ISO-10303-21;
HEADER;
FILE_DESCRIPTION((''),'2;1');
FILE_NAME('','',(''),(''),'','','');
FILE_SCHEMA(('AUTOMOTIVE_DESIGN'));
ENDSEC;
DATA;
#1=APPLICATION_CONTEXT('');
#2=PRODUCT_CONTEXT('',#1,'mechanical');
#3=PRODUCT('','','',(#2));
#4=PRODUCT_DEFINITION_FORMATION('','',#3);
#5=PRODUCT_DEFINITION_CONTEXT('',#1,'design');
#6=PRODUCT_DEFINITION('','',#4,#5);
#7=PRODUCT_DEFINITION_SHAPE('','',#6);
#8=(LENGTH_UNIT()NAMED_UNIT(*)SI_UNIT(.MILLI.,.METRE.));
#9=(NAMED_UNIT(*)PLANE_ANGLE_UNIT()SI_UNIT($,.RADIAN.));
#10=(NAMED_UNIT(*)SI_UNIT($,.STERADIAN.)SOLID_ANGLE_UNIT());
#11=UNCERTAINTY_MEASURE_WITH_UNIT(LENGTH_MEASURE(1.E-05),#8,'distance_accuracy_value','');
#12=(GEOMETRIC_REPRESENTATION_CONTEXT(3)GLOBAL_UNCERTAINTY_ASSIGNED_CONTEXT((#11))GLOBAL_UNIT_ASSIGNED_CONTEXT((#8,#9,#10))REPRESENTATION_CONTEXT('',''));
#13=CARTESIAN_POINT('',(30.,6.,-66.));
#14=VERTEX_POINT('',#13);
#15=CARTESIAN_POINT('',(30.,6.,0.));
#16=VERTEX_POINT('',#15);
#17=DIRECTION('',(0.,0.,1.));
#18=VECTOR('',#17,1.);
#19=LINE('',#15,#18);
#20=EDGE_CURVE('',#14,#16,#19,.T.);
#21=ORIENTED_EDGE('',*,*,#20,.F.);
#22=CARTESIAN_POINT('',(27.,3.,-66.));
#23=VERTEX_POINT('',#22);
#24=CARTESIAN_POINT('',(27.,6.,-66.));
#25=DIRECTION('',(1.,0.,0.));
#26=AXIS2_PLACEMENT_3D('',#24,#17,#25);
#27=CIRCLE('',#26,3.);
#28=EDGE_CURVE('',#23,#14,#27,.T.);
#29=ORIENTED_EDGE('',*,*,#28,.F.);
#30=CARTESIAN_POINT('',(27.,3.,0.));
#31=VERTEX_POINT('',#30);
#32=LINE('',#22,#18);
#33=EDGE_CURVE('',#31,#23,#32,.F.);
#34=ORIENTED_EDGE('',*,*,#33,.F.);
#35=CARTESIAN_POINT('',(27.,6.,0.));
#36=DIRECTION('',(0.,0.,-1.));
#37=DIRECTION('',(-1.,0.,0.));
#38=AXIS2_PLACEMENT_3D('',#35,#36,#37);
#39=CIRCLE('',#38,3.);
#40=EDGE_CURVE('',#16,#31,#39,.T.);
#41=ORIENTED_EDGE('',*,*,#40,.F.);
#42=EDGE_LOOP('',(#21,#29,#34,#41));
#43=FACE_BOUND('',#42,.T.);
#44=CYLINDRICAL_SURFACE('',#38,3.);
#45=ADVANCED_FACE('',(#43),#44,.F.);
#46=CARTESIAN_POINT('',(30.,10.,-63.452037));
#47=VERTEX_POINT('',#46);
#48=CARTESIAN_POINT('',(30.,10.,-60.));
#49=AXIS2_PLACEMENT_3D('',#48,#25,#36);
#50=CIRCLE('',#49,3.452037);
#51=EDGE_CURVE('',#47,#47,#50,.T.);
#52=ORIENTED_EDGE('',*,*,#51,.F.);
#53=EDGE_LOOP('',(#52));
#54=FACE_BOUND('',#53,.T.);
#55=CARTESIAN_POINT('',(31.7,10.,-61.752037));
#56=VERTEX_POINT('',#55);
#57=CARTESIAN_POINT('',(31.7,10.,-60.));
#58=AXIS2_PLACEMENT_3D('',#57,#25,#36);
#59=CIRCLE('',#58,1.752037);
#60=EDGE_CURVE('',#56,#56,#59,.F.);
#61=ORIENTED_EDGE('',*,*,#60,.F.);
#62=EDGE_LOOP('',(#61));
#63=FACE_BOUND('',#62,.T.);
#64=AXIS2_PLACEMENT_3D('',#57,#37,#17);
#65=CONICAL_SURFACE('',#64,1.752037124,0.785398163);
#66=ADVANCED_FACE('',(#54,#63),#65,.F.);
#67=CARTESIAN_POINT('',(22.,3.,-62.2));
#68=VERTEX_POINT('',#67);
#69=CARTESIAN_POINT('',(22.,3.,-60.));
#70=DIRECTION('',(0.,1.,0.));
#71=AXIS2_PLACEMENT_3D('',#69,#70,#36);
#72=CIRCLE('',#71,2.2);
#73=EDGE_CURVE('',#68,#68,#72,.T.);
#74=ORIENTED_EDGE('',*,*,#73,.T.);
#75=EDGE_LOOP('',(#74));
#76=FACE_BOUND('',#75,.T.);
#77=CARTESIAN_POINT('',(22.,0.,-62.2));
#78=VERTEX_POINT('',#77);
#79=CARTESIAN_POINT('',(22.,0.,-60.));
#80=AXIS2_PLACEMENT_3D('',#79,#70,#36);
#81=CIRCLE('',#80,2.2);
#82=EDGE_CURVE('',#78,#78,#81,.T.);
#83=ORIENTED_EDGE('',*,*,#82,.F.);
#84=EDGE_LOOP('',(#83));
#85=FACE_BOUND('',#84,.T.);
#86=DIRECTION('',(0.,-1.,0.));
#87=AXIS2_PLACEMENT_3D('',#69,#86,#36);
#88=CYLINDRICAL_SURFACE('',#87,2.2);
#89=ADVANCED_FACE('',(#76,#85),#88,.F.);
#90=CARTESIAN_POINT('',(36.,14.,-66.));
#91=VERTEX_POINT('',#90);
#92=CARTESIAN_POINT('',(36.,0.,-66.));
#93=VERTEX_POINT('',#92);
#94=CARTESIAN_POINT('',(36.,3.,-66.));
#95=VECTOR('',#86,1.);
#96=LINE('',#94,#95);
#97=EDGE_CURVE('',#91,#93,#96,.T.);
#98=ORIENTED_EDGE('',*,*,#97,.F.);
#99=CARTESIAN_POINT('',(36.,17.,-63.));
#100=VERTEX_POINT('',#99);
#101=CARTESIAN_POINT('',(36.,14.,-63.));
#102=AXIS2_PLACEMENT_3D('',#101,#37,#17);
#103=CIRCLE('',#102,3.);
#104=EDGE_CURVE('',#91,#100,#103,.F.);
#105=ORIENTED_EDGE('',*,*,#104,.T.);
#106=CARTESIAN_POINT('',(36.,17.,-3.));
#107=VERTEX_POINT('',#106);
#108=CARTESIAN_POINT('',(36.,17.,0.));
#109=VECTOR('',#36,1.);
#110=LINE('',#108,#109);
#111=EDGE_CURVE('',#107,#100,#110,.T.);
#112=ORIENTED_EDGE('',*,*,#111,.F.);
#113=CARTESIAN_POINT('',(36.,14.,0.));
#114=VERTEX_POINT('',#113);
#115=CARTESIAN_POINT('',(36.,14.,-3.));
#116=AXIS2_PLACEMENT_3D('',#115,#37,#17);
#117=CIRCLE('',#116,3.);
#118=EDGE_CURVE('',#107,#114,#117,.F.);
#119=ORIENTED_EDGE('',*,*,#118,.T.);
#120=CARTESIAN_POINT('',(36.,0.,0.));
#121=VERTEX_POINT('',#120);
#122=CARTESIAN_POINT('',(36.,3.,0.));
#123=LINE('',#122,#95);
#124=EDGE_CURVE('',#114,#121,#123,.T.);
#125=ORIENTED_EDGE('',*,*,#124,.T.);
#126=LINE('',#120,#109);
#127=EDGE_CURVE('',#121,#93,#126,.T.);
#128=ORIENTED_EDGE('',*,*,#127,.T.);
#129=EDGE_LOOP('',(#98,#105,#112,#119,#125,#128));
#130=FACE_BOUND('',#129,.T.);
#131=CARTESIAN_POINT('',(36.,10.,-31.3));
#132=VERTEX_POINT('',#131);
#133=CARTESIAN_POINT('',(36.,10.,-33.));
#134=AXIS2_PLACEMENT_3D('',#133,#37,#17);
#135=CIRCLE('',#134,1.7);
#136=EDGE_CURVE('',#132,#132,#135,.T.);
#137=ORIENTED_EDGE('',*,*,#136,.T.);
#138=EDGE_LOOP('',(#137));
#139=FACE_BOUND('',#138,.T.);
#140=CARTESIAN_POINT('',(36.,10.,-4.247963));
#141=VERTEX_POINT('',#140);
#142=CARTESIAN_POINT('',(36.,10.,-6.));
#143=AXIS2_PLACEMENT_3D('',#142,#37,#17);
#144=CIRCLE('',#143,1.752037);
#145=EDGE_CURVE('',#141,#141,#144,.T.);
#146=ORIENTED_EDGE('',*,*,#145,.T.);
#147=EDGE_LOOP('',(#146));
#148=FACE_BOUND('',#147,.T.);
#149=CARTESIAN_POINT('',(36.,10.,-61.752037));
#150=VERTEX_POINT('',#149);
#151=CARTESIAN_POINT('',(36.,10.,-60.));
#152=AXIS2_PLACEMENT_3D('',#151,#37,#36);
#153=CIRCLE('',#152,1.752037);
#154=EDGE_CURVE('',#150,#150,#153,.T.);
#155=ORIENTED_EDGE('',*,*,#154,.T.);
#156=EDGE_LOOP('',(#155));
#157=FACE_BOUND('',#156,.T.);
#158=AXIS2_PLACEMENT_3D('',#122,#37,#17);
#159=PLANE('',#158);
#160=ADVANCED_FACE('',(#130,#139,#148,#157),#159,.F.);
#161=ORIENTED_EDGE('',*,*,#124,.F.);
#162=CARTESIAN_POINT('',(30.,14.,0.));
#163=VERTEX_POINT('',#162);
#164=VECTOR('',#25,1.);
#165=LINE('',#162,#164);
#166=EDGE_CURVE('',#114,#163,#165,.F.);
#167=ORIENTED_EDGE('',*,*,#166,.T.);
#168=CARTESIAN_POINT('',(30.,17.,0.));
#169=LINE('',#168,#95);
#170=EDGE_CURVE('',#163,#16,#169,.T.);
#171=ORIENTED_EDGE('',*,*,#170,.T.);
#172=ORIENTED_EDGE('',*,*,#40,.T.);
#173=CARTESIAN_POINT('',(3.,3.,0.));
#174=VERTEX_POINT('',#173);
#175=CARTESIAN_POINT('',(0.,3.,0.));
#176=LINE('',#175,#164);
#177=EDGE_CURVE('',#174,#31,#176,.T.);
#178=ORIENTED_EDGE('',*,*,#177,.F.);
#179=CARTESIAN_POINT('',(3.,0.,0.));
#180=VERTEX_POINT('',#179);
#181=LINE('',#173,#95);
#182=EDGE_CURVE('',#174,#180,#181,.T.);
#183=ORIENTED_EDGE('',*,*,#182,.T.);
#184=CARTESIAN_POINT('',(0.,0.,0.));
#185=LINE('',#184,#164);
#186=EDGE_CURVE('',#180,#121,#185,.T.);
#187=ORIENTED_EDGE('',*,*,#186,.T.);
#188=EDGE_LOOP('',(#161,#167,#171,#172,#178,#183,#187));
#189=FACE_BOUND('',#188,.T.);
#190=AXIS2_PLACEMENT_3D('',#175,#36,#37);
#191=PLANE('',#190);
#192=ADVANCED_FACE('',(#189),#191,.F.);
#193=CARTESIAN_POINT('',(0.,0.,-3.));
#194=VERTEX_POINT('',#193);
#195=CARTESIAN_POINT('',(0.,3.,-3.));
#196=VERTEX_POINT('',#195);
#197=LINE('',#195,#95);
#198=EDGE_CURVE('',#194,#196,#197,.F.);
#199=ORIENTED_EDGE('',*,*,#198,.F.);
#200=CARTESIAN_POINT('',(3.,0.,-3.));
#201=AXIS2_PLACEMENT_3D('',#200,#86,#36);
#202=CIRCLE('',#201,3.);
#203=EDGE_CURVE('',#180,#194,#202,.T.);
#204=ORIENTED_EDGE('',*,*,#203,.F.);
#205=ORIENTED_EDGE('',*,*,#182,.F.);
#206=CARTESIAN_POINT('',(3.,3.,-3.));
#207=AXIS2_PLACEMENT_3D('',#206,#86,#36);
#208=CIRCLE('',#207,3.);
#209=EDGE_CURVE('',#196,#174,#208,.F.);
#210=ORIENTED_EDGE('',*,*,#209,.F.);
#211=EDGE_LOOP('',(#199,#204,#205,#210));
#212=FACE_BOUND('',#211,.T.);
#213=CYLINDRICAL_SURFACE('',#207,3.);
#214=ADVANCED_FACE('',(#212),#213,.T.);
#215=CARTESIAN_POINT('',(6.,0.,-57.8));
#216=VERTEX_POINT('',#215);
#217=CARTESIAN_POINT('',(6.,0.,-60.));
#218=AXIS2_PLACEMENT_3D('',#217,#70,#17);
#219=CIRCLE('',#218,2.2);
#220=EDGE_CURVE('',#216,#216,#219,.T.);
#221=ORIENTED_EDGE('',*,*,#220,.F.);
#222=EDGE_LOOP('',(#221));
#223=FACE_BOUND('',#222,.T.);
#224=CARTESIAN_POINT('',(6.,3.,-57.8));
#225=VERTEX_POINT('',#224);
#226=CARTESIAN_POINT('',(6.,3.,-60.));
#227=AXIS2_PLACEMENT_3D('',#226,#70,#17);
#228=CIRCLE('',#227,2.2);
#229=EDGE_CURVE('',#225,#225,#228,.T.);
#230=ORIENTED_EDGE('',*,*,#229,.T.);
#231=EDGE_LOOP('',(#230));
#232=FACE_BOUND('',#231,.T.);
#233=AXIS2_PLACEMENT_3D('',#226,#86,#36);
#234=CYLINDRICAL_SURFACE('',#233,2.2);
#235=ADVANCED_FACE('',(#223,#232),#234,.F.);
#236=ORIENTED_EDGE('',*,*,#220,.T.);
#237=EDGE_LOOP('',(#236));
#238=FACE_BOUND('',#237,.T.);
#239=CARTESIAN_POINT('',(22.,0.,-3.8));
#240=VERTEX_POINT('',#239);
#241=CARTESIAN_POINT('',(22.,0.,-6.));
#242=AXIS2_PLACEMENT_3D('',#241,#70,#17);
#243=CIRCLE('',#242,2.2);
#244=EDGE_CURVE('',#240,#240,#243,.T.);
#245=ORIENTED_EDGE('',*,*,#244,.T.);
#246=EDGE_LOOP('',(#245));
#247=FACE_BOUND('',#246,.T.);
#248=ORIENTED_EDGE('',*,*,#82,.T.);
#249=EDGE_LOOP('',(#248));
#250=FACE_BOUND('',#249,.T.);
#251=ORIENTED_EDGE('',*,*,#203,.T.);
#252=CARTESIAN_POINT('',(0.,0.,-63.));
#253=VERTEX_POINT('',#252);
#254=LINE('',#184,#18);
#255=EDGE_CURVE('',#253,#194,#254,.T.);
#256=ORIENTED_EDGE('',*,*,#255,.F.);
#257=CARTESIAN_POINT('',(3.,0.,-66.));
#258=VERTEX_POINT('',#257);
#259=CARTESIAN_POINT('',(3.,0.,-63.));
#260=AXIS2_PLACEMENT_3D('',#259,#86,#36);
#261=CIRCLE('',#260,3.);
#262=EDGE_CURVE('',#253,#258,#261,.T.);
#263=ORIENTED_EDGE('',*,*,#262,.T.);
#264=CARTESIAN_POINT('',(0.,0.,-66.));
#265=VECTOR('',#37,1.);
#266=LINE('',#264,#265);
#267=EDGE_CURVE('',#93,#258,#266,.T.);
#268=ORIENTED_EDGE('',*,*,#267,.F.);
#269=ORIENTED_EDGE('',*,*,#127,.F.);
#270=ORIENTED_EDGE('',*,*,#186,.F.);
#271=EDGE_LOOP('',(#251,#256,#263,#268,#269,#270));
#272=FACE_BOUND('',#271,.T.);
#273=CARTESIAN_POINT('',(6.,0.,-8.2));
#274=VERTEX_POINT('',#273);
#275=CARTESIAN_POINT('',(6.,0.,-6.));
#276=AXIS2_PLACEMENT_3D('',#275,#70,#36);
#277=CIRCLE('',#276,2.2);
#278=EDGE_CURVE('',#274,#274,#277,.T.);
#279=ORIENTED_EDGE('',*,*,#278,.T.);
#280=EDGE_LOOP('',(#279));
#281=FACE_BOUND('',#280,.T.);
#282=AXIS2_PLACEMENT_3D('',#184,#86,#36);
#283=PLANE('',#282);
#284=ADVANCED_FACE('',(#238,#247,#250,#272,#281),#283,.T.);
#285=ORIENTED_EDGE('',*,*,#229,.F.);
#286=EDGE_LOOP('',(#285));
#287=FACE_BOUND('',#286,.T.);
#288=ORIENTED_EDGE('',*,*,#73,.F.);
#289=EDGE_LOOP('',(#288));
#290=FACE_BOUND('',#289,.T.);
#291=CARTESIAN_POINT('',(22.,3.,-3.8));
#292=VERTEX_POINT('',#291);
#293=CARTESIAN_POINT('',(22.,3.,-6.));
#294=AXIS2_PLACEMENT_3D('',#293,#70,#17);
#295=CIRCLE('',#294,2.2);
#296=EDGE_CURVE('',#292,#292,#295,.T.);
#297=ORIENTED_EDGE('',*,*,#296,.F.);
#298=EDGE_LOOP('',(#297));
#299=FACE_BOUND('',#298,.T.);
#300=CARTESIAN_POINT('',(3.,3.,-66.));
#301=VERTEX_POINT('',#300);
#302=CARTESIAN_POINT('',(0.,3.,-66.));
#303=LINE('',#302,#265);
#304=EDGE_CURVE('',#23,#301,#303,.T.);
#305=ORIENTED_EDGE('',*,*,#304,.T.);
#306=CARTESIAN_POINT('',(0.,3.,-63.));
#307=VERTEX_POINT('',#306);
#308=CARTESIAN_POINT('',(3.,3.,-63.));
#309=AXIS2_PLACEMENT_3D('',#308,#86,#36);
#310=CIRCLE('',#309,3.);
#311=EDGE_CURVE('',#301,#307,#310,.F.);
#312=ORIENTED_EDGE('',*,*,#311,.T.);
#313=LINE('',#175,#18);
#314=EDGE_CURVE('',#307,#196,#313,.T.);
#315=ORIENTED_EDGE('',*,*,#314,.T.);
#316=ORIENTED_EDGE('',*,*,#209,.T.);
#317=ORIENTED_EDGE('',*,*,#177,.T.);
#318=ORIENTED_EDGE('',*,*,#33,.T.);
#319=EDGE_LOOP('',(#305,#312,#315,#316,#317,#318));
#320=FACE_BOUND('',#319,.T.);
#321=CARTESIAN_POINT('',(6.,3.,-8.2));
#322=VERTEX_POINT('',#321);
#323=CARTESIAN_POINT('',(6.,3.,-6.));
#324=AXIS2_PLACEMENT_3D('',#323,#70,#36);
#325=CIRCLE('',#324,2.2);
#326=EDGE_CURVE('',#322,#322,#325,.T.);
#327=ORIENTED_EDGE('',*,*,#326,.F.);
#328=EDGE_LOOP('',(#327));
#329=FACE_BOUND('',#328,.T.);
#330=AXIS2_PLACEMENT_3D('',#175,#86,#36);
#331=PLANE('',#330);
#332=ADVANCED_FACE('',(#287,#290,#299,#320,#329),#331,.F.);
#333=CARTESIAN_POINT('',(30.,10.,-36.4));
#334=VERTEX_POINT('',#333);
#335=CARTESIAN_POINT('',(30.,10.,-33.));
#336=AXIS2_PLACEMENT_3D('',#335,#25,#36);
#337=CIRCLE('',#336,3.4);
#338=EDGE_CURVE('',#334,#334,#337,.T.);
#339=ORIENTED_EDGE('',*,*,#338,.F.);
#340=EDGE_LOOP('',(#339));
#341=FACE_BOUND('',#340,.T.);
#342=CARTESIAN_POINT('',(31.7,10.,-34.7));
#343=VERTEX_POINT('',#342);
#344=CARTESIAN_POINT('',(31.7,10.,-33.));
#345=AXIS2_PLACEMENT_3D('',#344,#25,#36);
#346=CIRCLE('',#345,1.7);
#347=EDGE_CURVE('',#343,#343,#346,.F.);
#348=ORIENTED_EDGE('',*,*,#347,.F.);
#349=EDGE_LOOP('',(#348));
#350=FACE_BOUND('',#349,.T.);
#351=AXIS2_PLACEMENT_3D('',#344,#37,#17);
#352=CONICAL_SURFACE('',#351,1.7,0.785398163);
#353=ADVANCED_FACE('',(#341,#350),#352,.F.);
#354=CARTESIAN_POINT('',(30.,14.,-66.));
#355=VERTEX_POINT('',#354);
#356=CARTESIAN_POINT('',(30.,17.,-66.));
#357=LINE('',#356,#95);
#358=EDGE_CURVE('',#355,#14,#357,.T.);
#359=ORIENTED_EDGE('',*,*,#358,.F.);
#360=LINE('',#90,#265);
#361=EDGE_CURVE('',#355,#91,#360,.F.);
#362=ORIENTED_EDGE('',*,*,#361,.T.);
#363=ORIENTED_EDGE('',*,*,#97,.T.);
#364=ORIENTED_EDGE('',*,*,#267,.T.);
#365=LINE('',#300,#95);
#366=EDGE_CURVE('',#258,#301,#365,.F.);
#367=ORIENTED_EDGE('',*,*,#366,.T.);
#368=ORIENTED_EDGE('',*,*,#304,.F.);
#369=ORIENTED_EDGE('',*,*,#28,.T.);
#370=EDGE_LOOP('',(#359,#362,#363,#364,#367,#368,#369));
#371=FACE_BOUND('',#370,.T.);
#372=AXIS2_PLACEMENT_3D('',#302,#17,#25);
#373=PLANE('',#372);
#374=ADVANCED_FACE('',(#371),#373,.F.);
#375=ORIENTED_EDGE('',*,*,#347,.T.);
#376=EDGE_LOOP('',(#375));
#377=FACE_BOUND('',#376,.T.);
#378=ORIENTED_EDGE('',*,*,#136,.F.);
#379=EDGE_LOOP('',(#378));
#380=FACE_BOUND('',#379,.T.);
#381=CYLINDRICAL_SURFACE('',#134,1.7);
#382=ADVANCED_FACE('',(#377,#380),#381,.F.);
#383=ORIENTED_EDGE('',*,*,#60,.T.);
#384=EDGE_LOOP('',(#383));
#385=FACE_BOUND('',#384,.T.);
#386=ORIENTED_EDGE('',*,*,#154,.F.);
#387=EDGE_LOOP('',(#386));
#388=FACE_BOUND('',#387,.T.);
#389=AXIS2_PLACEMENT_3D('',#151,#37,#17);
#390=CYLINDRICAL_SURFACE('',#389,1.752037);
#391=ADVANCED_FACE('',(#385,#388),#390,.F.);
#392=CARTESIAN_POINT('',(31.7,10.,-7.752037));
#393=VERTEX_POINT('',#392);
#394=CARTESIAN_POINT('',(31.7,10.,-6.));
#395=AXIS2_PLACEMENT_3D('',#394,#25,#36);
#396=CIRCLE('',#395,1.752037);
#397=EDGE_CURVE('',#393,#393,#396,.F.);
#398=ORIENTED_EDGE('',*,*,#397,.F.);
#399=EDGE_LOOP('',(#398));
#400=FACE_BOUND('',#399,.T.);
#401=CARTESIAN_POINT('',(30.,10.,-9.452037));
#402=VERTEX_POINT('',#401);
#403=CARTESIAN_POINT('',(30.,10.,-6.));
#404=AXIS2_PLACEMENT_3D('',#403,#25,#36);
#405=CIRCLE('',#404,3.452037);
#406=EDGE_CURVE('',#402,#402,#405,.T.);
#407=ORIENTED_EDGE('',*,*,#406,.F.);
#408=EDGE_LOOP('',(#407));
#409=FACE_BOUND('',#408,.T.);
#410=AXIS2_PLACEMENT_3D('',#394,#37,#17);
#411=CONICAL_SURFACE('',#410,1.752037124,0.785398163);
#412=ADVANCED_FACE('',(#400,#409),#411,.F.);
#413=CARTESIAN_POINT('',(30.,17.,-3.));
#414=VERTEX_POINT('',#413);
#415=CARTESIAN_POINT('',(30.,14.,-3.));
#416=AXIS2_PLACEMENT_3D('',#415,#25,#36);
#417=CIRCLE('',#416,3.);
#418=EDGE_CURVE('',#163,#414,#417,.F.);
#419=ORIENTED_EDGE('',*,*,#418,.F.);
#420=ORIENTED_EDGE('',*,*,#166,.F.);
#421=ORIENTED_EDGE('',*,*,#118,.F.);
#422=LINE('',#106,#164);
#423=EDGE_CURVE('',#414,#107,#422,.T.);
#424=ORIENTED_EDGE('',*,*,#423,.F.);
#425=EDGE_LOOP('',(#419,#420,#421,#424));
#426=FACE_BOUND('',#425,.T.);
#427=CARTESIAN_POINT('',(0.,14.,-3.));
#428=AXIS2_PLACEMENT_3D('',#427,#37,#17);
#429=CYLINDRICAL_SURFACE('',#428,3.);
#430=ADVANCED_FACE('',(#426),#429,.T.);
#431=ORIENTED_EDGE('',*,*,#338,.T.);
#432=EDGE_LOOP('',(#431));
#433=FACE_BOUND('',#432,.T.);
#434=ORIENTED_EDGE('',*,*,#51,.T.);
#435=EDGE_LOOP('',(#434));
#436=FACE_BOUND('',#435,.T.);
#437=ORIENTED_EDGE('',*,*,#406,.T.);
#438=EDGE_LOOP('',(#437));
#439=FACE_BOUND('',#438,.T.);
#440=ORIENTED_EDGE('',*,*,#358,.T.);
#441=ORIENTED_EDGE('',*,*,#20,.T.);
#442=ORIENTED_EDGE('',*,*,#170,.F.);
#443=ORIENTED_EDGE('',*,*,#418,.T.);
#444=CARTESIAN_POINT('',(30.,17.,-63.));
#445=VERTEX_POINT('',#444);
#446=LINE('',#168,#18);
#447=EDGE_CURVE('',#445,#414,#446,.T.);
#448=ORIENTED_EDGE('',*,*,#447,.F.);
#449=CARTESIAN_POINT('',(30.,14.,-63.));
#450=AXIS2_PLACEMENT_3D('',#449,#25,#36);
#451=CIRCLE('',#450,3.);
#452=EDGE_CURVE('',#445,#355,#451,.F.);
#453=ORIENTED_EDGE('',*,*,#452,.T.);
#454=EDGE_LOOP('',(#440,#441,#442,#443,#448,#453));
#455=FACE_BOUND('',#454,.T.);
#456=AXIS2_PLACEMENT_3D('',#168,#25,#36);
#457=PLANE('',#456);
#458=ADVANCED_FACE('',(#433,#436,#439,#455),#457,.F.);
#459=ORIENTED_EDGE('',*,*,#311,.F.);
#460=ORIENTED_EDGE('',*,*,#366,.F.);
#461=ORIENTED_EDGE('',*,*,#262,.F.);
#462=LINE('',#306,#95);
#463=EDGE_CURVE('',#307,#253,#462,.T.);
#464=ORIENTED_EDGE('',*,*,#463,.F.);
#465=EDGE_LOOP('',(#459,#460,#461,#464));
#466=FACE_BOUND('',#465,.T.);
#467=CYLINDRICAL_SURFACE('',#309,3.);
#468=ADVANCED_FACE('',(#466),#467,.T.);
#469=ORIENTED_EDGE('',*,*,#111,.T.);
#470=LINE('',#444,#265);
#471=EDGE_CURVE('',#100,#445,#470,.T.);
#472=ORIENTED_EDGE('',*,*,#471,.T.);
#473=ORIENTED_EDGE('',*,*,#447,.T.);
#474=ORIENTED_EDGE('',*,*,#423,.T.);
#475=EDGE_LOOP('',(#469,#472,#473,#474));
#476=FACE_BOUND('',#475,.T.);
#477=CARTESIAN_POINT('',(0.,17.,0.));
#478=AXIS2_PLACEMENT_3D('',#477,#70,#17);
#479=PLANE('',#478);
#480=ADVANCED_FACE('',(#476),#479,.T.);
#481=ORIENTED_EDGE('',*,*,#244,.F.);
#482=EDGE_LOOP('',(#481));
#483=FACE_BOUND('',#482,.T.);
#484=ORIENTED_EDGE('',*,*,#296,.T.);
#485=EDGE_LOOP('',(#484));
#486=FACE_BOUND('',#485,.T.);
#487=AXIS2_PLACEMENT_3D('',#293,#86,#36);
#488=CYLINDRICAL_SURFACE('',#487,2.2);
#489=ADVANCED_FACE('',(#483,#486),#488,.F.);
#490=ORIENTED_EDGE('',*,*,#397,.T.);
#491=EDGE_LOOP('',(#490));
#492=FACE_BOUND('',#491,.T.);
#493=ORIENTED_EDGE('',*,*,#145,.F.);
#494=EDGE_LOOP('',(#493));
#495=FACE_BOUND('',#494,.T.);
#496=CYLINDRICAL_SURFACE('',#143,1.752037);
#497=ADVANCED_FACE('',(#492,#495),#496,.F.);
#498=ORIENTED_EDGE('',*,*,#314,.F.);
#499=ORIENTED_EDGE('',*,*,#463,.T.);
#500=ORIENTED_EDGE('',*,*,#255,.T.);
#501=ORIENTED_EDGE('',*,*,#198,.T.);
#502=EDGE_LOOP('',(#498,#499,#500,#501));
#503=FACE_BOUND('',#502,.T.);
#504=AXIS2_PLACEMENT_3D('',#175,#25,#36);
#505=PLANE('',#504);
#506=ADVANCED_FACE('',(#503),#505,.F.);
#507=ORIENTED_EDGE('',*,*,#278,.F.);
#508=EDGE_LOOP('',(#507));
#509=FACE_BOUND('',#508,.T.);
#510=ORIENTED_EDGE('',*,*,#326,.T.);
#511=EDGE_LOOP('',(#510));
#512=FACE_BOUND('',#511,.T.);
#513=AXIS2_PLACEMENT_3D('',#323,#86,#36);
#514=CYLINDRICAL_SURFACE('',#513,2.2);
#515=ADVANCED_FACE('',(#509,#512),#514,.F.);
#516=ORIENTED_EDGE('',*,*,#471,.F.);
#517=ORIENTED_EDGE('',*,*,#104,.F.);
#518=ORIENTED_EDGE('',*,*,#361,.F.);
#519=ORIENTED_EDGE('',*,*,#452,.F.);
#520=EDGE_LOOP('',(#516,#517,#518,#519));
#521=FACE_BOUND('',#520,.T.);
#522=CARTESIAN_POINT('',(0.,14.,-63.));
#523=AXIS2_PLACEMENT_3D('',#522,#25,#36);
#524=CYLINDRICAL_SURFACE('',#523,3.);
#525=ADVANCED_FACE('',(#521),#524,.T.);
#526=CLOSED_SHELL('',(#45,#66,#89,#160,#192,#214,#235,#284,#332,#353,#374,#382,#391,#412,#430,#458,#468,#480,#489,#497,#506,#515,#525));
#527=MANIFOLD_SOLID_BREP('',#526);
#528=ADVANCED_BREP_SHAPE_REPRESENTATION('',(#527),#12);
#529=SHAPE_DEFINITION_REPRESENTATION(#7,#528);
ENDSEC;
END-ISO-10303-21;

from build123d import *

# Parameters (mm, degrees)
SKETCH1_W           = 36
SKETCH1_H           = 66
SKETCH1_R           = 2.2
BOSS_EXTRUDE1_DEPTH = 3
SKETCH2_W           = 6
SKETCH2_H           = 66
BOSS_EXTRUDE2_DEPTH = 14
SKETCH3_R           = 1.7
SKETCH3_R_2         = 1.752037124
CUT_EXTRUDE1_DEPTH  = 75.464756765
CHAMFER1_SIZE       = 1.7
FILLET1_R           = 3


with BuildPart() as part:
    # Sketch1 → Boss-Extrude1 (new body)
    with BuildSketch(Plane(origin=(0, 0, 0), x_dir=(1, 0, 0), z_dir=(0, 1, 0))):
        with Locations((18, 33)):
            Rectangle(SKETCH1_W, SKETCH1_H)
        with Locations(Location((6, 60, 0), (0, 0, 270))):
            Circle(SKETCH1_R, mode=Mode.SUBTRACT)
        with Locations(Location((6, 6, 0), (0, 0, 90))):
            Circle(SKETCH1_R, mode=Mode.SUBTRACT)
        with Locations(Location((22, 6, 0), (0, 0, 270))):
            Circle(SKETCH1_R, mode=Mode.SUBTRACT)
        with Locations(Location((22, 60, 0), (0, 0, 90))):
            Circle(SKETCH1_R, mode=Mode.SUBTRACT)
    extrude(amount=BOSS_EXTRUDE1_DEPTH)

    # Sketch2 → Boss-Extrude2 (add)
    with BuildSketch(Plane(origin=(0, 3, 0), x_dir=(1, 0, 0), z_dir=(0, 1, 0))):
        with Locations((33, 33)):
            Rectangle(SKETCH2_W, SKETCH2_H)
    extrude(amount=BOSS_EXTRUDE2_DEPTH)

    # Sketch3 → Cut-Extrude1 (cut, through all)
    with BuildSketch(Plane.ZY.offset(-30)):
        with Locations((-33, 10)):
            Circle(SKETCH3_R)
        with Locations((-6, 10)):
            Circle(SKETCH3_R_2)
        with Locations(Location((-60, 10, 0), (0, 0, 180))):
            Circle(SKETCH3_R_2)
    extrude(amount=-CUT_EXTRUDE1_DEPTH, mode=Mode.SUBTRACT)

    # Chamfer1
    chamfer1_edges = [part.edges().sort_by_distance(p)[0] for p in [
        (30, 10, -58.247962876),
        (30, 10, -7.752037124),
        (30, 10, -34.7),
    ]]
    chamfer(chamfer1_edges, length=CHAMFER1_SIZE)

    # Fillet1
    fillet1_edges = [part.edges().sort_by_distance(p)[0] for p in [
        (30, 3, -33),
        (33, 17, -66),
        (33, 17, 0),
        (0, 1.5, -66),
        (0, 1.5, 0),
    ]]
    fillet(fillet1_edges, radius=FILLET1_R)


solid = part.part
